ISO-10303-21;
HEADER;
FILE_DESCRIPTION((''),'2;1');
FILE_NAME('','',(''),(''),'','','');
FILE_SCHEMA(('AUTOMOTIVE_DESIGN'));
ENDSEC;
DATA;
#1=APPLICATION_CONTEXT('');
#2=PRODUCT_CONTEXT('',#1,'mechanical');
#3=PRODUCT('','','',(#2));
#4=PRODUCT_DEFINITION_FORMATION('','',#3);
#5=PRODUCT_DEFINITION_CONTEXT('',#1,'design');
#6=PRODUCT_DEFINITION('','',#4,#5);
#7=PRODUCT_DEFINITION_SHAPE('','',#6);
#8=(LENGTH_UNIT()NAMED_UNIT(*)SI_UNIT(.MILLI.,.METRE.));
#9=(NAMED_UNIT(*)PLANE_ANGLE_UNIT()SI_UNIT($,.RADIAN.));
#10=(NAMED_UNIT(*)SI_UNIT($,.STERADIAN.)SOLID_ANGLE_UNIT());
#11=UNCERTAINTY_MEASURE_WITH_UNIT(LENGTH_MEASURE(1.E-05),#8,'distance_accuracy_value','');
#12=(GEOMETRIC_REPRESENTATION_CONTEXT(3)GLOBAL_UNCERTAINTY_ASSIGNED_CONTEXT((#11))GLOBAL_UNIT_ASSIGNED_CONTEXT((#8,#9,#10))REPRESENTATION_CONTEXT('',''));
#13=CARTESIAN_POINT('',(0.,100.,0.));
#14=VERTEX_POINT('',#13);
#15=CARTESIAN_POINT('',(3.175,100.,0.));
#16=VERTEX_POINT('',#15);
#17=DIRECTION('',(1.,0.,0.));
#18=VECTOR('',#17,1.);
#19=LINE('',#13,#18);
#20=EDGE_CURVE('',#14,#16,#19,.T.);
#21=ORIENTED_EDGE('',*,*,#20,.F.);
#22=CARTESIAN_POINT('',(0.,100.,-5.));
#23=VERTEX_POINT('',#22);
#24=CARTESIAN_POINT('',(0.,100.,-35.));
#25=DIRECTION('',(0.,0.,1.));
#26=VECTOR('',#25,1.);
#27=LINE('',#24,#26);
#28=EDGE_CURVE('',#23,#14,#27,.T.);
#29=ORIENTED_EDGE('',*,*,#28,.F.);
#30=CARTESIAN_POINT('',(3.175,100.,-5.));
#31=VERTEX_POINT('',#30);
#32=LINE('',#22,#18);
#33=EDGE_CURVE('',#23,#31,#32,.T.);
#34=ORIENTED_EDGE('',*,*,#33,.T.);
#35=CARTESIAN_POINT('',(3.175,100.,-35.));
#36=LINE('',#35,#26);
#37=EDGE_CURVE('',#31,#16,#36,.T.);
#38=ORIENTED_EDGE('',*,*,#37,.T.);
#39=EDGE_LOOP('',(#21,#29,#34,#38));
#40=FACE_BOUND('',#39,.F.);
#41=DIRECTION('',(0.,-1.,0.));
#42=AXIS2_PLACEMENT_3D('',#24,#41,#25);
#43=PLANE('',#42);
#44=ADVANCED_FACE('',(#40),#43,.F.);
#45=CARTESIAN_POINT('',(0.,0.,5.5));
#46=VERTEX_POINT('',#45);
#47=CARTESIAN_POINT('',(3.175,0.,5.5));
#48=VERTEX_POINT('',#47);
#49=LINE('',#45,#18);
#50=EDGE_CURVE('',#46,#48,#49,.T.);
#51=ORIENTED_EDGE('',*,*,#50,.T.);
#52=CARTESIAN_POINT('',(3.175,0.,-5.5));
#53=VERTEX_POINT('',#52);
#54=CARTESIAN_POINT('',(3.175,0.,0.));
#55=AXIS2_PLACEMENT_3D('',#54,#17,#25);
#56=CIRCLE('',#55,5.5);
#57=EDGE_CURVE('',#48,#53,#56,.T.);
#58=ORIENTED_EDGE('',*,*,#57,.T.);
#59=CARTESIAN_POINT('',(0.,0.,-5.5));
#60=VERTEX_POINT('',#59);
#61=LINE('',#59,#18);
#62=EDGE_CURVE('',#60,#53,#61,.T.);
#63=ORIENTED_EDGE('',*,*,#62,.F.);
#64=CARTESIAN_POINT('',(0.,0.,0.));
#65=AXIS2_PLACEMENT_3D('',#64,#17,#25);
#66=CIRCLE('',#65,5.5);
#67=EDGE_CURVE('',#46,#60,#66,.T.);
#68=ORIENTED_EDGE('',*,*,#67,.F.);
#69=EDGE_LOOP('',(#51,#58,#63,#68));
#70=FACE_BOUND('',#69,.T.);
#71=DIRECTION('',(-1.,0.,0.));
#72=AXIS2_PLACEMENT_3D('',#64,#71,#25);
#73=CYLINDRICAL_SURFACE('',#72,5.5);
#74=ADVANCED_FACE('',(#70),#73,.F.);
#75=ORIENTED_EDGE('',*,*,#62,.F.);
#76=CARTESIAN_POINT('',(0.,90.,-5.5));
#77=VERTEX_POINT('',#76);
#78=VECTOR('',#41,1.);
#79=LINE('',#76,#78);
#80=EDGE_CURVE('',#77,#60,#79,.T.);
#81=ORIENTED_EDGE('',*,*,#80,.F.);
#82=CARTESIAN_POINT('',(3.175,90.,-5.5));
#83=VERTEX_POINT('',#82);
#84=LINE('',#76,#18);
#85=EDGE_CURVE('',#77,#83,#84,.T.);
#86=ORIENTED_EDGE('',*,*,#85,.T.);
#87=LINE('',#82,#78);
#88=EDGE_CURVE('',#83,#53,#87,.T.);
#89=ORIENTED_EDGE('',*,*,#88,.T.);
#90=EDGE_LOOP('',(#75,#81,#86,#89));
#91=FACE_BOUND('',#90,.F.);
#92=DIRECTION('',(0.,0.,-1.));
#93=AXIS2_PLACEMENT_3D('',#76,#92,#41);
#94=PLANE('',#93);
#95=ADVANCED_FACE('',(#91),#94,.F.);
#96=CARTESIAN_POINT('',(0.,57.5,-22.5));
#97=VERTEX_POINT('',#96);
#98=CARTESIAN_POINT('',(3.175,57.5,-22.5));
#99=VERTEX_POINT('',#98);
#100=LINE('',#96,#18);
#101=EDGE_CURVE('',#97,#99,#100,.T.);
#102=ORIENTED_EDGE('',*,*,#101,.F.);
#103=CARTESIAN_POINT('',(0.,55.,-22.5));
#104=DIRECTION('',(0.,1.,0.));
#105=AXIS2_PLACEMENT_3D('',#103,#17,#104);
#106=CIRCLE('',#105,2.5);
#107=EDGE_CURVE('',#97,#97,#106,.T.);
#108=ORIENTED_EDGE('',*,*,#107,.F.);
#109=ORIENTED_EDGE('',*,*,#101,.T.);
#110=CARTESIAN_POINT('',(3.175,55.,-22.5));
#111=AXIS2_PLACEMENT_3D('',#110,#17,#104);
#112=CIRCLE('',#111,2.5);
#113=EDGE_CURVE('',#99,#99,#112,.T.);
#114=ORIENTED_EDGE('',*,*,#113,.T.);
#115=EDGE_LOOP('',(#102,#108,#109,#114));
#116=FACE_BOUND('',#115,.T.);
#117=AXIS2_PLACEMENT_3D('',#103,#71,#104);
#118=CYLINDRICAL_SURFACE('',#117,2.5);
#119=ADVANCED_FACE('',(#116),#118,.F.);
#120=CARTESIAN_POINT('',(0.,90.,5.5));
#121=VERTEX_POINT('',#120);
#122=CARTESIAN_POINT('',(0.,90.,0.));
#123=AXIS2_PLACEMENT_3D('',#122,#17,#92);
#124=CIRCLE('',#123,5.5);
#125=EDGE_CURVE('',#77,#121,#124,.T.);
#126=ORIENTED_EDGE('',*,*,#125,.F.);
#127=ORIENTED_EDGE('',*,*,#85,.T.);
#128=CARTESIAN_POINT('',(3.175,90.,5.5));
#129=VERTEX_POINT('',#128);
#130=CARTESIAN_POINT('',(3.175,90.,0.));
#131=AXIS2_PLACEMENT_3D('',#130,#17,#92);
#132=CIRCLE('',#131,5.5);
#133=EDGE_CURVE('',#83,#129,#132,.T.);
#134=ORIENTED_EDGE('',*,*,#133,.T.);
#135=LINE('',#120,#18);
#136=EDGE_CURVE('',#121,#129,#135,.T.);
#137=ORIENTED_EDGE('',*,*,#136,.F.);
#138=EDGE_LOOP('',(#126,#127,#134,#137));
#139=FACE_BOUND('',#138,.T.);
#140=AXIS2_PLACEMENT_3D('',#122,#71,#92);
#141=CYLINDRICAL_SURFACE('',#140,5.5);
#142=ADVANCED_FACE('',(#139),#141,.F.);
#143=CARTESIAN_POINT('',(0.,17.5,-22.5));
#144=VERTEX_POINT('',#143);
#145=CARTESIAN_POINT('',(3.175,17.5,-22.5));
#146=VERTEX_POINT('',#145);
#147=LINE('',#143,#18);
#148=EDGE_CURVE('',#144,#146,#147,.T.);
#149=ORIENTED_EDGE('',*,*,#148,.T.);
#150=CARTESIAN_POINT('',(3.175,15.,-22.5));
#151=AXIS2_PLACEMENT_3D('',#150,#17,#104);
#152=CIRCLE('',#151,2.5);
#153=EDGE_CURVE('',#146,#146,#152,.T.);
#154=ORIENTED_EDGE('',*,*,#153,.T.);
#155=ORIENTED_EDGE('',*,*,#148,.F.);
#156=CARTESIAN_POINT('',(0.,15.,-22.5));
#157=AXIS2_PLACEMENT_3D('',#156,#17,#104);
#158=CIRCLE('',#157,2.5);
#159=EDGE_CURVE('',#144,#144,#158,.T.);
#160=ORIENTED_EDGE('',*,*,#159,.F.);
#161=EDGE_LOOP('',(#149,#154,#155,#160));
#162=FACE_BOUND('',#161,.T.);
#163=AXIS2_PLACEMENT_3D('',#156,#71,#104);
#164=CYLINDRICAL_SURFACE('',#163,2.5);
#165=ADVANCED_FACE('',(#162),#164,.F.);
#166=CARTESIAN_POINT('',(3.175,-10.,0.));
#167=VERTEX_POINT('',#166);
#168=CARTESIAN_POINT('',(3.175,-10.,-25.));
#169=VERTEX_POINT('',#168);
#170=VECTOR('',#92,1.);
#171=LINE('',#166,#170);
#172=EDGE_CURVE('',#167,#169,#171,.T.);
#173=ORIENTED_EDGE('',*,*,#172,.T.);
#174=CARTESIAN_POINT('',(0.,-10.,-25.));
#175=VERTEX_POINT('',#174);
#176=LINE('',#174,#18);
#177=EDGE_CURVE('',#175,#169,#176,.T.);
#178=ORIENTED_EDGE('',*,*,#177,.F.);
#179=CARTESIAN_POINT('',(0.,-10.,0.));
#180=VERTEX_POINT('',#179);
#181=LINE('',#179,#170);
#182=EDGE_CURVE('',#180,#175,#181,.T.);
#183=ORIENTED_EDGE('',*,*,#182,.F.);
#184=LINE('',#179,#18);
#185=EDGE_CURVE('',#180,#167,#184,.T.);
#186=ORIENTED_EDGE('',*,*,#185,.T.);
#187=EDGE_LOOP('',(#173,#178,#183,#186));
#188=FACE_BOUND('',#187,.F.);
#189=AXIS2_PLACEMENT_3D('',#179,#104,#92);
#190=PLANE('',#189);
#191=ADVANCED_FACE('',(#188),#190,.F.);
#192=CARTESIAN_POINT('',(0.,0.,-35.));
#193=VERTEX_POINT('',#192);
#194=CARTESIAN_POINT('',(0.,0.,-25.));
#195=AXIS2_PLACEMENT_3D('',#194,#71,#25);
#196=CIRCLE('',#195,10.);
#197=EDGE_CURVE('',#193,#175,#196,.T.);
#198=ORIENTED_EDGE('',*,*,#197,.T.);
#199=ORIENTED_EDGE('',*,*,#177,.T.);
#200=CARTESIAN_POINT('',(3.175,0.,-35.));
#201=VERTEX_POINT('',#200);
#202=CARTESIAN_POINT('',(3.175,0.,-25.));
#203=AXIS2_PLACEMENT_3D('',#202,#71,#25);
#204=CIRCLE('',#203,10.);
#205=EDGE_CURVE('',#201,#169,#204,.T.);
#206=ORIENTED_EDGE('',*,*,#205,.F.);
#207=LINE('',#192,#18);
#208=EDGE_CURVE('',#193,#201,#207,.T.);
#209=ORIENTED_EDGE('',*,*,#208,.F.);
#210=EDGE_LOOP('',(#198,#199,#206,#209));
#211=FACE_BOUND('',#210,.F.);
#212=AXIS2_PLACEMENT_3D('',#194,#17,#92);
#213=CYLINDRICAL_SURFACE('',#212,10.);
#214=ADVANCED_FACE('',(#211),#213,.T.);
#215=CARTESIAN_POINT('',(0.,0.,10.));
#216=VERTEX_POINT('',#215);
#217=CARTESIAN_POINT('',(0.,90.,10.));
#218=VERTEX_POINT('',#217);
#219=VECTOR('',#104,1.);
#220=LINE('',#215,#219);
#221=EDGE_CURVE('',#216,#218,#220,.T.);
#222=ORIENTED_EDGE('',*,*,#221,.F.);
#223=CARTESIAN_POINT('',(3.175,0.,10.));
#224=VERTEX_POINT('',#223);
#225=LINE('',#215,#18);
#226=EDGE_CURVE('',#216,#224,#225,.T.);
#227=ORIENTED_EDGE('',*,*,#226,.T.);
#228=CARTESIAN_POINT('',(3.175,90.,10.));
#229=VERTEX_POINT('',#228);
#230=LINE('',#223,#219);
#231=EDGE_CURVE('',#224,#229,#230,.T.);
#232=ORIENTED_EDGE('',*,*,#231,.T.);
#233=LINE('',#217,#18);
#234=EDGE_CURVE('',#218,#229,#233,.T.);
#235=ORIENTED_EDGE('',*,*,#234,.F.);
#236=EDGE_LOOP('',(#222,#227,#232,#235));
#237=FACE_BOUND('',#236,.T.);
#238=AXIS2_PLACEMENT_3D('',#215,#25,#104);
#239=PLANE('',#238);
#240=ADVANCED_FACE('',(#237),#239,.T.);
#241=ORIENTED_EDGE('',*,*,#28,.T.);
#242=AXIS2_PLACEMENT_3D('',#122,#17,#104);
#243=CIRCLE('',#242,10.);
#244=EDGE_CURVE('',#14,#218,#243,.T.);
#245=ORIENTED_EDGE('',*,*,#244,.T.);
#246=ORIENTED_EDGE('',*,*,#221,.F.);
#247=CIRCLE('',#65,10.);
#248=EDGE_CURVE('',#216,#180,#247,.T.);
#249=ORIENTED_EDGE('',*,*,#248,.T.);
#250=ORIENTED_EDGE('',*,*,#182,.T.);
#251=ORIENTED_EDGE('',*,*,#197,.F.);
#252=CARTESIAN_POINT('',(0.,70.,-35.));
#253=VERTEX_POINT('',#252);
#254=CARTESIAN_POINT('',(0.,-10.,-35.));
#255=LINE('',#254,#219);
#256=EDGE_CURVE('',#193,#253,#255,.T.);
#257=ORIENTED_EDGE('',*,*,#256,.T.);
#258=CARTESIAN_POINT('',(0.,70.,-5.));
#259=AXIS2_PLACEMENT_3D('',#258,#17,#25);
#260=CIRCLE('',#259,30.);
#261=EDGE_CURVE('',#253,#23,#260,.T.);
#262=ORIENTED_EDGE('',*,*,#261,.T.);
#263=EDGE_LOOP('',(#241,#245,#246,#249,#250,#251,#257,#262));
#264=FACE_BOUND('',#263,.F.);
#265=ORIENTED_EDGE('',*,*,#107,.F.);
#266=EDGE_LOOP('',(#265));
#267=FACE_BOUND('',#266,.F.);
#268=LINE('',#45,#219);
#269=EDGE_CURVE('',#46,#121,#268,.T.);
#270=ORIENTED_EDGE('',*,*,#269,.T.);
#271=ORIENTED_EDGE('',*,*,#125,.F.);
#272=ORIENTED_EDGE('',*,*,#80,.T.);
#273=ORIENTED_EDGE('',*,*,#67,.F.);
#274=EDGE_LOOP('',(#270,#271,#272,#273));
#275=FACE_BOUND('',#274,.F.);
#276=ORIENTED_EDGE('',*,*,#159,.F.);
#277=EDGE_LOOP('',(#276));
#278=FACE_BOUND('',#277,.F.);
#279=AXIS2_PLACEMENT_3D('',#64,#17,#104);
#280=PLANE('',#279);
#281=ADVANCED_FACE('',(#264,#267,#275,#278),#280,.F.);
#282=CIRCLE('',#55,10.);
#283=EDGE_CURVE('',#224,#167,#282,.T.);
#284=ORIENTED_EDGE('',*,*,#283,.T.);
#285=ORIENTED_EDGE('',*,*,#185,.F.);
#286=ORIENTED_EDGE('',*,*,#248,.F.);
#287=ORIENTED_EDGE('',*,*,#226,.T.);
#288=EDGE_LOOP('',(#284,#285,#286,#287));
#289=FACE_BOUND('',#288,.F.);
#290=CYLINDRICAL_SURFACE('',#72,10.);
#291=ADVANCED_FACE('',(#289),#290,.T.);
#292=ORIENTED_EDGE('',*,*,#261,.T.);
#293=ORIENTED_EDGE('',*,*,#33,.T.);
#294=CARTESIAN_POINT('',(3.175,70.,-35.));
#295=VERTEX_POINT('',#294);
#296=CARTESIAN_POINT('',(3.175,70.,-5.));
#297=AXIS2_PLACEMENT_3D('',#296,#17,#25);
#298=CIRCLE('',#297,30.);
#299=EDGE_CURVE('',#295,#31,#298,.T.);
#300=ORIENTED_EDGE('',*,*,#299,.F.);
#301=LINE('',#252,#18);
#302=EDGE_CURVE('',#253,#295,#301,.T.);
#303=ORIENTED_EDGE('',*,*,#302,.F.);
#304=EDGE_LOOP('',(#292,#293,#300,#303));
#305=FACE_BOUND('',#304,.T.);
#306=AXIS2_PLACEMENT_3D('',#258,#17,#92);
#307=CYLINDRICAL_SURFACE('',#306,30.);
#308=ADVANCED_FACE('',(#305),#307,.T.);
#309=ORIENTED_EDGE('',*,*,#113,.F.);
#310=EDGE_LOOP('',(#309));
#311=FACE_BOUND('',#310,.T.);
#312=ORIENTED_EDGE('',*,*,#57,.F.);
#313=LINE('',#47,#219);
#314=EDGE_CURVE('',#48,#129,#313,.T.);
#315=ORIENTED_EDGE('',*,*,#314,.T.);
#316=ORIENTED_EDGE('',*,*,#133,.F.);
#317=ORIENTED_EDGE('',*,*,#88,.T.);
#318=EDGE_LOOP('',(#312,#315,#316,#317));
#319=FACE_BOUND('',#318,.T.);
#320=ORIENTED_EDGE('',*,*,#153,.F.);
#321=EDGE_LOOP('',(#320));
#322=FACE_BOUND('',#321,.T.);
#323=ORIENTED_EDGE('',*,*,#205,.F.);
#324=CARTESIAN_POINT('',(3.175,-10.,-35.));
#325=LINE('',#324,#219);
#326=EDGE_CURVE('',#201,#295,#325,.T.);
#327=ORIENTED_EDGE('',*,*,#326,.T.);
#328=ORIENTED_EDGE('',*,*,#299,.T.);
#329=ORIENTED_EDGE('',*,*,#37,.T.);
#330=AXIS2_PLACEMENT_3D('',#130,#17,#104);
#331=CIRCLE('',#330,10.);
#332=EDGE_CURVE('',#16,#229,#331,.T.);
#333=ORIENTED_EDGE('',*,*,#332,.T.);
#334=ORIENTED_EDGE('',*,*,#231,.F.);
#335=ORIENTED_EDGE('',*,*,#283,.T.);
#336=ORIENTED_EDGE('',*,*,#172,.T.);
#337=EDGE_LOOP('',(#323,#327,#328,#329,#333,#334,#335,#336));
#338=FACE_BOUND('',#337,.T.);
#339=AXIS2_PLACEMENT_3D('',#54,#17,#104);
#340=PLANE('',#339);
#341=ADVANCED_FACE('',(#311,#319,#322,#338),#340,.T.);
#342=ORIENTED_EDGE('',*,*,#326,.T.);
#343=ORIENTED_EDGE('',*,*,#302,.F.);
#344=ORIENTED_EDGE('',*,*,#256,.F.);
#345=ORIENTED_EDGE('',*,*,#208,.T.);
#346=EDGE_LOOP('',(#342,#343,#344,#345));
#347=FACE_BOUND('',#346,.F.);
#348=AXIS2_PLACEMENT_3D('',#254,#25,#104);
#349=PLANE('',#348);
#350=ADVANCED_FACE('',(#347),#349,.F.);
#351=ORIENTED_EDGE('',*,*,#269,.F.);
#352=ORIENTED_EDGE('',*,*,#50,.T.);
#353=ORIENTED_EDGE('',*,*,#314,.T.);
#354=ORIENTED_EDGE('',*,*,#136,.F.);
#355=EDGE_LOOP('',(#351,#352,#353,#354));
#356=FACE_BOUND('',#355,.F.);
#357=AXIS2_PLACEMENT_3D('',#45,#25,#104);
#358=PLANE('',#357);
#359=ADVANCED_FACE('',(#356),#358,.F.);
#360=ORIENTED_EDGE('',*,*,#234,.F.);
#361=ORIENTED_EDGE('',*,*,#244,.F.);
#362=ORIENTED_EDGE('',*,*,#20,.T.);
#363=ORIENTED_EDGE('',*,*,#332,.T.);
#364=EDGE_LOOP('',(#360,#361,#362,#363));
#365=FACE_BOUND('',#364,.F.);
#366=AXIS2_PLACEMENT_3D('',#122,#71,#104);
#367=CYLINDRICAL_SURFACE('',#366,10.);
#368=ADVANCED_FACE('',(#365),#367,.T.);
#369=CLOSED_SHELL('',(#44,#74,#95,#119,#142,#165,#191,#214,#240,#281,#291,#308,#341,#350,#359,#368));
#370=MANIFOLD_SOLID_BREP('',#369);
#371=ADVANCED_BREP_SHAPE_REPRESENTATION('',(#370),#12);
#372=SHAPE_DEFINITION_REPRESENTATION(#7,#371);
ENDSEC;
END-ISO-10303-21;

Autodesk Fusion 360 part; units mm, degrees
sketch "Sketch1" plane through (0, 0, 0) normal (1, 0, 0) x (0, 1, 0)
  line L0 (-10, 0) -> (-10, -35)
  line L1 (-10, -35) -> (100, -35)
  line L2 (100, -35) -> (100, 0)
  line L3 (0, 10) -> (90, 10)
  line L4 (0, 5.5) -> (90, 5.5)
  line L5 (90, -5.5) -> (0, -5.5)
  arc A0 (0, 10) -> (-10, 0) centre (0, 0) ccw
  arc A1 (0, 5.5) -> (0, -5.5) centre (0, 0) ccw
  arc A2 (100, 0) -> (90, 10) centre (90, 0) ccw
  arc A3 (90, -5.5) -> (90, 5.5) centre (90, 0) ccw
  line L6 (-10, -35) -> (-10, -22.5) construction
  line L7 (-10, -22.5) -> (100, -22.5) construction
  line L8 (45, -22.5) -> (45, -35) construction
  circle A4 centre (15, -22.5) radius 2.5
  circle A5 centre (55, -22.5) radius 2.5
  dimension "d1" = 11
  dimension "d2" = 20
  dimension "d3" = 11
  dimension "d4" = 20
  dimension "d5" = 90
  dimension "d7" = 35
  dimension "d10" = 12.5
  dimension "d11" = 5
  dimension "d12" = 5
  dimension "d16" = 30
  dimension "d17" = 10
extrude "Extrude1" add sketch "Sketch1" along normal blind 3.175
fillet "Fillet1" radius 10 1 edges at (1.5875, -10, -35)
fillet "Fillet2" radius 30 1 edges at (1.5875, 100, -35)
